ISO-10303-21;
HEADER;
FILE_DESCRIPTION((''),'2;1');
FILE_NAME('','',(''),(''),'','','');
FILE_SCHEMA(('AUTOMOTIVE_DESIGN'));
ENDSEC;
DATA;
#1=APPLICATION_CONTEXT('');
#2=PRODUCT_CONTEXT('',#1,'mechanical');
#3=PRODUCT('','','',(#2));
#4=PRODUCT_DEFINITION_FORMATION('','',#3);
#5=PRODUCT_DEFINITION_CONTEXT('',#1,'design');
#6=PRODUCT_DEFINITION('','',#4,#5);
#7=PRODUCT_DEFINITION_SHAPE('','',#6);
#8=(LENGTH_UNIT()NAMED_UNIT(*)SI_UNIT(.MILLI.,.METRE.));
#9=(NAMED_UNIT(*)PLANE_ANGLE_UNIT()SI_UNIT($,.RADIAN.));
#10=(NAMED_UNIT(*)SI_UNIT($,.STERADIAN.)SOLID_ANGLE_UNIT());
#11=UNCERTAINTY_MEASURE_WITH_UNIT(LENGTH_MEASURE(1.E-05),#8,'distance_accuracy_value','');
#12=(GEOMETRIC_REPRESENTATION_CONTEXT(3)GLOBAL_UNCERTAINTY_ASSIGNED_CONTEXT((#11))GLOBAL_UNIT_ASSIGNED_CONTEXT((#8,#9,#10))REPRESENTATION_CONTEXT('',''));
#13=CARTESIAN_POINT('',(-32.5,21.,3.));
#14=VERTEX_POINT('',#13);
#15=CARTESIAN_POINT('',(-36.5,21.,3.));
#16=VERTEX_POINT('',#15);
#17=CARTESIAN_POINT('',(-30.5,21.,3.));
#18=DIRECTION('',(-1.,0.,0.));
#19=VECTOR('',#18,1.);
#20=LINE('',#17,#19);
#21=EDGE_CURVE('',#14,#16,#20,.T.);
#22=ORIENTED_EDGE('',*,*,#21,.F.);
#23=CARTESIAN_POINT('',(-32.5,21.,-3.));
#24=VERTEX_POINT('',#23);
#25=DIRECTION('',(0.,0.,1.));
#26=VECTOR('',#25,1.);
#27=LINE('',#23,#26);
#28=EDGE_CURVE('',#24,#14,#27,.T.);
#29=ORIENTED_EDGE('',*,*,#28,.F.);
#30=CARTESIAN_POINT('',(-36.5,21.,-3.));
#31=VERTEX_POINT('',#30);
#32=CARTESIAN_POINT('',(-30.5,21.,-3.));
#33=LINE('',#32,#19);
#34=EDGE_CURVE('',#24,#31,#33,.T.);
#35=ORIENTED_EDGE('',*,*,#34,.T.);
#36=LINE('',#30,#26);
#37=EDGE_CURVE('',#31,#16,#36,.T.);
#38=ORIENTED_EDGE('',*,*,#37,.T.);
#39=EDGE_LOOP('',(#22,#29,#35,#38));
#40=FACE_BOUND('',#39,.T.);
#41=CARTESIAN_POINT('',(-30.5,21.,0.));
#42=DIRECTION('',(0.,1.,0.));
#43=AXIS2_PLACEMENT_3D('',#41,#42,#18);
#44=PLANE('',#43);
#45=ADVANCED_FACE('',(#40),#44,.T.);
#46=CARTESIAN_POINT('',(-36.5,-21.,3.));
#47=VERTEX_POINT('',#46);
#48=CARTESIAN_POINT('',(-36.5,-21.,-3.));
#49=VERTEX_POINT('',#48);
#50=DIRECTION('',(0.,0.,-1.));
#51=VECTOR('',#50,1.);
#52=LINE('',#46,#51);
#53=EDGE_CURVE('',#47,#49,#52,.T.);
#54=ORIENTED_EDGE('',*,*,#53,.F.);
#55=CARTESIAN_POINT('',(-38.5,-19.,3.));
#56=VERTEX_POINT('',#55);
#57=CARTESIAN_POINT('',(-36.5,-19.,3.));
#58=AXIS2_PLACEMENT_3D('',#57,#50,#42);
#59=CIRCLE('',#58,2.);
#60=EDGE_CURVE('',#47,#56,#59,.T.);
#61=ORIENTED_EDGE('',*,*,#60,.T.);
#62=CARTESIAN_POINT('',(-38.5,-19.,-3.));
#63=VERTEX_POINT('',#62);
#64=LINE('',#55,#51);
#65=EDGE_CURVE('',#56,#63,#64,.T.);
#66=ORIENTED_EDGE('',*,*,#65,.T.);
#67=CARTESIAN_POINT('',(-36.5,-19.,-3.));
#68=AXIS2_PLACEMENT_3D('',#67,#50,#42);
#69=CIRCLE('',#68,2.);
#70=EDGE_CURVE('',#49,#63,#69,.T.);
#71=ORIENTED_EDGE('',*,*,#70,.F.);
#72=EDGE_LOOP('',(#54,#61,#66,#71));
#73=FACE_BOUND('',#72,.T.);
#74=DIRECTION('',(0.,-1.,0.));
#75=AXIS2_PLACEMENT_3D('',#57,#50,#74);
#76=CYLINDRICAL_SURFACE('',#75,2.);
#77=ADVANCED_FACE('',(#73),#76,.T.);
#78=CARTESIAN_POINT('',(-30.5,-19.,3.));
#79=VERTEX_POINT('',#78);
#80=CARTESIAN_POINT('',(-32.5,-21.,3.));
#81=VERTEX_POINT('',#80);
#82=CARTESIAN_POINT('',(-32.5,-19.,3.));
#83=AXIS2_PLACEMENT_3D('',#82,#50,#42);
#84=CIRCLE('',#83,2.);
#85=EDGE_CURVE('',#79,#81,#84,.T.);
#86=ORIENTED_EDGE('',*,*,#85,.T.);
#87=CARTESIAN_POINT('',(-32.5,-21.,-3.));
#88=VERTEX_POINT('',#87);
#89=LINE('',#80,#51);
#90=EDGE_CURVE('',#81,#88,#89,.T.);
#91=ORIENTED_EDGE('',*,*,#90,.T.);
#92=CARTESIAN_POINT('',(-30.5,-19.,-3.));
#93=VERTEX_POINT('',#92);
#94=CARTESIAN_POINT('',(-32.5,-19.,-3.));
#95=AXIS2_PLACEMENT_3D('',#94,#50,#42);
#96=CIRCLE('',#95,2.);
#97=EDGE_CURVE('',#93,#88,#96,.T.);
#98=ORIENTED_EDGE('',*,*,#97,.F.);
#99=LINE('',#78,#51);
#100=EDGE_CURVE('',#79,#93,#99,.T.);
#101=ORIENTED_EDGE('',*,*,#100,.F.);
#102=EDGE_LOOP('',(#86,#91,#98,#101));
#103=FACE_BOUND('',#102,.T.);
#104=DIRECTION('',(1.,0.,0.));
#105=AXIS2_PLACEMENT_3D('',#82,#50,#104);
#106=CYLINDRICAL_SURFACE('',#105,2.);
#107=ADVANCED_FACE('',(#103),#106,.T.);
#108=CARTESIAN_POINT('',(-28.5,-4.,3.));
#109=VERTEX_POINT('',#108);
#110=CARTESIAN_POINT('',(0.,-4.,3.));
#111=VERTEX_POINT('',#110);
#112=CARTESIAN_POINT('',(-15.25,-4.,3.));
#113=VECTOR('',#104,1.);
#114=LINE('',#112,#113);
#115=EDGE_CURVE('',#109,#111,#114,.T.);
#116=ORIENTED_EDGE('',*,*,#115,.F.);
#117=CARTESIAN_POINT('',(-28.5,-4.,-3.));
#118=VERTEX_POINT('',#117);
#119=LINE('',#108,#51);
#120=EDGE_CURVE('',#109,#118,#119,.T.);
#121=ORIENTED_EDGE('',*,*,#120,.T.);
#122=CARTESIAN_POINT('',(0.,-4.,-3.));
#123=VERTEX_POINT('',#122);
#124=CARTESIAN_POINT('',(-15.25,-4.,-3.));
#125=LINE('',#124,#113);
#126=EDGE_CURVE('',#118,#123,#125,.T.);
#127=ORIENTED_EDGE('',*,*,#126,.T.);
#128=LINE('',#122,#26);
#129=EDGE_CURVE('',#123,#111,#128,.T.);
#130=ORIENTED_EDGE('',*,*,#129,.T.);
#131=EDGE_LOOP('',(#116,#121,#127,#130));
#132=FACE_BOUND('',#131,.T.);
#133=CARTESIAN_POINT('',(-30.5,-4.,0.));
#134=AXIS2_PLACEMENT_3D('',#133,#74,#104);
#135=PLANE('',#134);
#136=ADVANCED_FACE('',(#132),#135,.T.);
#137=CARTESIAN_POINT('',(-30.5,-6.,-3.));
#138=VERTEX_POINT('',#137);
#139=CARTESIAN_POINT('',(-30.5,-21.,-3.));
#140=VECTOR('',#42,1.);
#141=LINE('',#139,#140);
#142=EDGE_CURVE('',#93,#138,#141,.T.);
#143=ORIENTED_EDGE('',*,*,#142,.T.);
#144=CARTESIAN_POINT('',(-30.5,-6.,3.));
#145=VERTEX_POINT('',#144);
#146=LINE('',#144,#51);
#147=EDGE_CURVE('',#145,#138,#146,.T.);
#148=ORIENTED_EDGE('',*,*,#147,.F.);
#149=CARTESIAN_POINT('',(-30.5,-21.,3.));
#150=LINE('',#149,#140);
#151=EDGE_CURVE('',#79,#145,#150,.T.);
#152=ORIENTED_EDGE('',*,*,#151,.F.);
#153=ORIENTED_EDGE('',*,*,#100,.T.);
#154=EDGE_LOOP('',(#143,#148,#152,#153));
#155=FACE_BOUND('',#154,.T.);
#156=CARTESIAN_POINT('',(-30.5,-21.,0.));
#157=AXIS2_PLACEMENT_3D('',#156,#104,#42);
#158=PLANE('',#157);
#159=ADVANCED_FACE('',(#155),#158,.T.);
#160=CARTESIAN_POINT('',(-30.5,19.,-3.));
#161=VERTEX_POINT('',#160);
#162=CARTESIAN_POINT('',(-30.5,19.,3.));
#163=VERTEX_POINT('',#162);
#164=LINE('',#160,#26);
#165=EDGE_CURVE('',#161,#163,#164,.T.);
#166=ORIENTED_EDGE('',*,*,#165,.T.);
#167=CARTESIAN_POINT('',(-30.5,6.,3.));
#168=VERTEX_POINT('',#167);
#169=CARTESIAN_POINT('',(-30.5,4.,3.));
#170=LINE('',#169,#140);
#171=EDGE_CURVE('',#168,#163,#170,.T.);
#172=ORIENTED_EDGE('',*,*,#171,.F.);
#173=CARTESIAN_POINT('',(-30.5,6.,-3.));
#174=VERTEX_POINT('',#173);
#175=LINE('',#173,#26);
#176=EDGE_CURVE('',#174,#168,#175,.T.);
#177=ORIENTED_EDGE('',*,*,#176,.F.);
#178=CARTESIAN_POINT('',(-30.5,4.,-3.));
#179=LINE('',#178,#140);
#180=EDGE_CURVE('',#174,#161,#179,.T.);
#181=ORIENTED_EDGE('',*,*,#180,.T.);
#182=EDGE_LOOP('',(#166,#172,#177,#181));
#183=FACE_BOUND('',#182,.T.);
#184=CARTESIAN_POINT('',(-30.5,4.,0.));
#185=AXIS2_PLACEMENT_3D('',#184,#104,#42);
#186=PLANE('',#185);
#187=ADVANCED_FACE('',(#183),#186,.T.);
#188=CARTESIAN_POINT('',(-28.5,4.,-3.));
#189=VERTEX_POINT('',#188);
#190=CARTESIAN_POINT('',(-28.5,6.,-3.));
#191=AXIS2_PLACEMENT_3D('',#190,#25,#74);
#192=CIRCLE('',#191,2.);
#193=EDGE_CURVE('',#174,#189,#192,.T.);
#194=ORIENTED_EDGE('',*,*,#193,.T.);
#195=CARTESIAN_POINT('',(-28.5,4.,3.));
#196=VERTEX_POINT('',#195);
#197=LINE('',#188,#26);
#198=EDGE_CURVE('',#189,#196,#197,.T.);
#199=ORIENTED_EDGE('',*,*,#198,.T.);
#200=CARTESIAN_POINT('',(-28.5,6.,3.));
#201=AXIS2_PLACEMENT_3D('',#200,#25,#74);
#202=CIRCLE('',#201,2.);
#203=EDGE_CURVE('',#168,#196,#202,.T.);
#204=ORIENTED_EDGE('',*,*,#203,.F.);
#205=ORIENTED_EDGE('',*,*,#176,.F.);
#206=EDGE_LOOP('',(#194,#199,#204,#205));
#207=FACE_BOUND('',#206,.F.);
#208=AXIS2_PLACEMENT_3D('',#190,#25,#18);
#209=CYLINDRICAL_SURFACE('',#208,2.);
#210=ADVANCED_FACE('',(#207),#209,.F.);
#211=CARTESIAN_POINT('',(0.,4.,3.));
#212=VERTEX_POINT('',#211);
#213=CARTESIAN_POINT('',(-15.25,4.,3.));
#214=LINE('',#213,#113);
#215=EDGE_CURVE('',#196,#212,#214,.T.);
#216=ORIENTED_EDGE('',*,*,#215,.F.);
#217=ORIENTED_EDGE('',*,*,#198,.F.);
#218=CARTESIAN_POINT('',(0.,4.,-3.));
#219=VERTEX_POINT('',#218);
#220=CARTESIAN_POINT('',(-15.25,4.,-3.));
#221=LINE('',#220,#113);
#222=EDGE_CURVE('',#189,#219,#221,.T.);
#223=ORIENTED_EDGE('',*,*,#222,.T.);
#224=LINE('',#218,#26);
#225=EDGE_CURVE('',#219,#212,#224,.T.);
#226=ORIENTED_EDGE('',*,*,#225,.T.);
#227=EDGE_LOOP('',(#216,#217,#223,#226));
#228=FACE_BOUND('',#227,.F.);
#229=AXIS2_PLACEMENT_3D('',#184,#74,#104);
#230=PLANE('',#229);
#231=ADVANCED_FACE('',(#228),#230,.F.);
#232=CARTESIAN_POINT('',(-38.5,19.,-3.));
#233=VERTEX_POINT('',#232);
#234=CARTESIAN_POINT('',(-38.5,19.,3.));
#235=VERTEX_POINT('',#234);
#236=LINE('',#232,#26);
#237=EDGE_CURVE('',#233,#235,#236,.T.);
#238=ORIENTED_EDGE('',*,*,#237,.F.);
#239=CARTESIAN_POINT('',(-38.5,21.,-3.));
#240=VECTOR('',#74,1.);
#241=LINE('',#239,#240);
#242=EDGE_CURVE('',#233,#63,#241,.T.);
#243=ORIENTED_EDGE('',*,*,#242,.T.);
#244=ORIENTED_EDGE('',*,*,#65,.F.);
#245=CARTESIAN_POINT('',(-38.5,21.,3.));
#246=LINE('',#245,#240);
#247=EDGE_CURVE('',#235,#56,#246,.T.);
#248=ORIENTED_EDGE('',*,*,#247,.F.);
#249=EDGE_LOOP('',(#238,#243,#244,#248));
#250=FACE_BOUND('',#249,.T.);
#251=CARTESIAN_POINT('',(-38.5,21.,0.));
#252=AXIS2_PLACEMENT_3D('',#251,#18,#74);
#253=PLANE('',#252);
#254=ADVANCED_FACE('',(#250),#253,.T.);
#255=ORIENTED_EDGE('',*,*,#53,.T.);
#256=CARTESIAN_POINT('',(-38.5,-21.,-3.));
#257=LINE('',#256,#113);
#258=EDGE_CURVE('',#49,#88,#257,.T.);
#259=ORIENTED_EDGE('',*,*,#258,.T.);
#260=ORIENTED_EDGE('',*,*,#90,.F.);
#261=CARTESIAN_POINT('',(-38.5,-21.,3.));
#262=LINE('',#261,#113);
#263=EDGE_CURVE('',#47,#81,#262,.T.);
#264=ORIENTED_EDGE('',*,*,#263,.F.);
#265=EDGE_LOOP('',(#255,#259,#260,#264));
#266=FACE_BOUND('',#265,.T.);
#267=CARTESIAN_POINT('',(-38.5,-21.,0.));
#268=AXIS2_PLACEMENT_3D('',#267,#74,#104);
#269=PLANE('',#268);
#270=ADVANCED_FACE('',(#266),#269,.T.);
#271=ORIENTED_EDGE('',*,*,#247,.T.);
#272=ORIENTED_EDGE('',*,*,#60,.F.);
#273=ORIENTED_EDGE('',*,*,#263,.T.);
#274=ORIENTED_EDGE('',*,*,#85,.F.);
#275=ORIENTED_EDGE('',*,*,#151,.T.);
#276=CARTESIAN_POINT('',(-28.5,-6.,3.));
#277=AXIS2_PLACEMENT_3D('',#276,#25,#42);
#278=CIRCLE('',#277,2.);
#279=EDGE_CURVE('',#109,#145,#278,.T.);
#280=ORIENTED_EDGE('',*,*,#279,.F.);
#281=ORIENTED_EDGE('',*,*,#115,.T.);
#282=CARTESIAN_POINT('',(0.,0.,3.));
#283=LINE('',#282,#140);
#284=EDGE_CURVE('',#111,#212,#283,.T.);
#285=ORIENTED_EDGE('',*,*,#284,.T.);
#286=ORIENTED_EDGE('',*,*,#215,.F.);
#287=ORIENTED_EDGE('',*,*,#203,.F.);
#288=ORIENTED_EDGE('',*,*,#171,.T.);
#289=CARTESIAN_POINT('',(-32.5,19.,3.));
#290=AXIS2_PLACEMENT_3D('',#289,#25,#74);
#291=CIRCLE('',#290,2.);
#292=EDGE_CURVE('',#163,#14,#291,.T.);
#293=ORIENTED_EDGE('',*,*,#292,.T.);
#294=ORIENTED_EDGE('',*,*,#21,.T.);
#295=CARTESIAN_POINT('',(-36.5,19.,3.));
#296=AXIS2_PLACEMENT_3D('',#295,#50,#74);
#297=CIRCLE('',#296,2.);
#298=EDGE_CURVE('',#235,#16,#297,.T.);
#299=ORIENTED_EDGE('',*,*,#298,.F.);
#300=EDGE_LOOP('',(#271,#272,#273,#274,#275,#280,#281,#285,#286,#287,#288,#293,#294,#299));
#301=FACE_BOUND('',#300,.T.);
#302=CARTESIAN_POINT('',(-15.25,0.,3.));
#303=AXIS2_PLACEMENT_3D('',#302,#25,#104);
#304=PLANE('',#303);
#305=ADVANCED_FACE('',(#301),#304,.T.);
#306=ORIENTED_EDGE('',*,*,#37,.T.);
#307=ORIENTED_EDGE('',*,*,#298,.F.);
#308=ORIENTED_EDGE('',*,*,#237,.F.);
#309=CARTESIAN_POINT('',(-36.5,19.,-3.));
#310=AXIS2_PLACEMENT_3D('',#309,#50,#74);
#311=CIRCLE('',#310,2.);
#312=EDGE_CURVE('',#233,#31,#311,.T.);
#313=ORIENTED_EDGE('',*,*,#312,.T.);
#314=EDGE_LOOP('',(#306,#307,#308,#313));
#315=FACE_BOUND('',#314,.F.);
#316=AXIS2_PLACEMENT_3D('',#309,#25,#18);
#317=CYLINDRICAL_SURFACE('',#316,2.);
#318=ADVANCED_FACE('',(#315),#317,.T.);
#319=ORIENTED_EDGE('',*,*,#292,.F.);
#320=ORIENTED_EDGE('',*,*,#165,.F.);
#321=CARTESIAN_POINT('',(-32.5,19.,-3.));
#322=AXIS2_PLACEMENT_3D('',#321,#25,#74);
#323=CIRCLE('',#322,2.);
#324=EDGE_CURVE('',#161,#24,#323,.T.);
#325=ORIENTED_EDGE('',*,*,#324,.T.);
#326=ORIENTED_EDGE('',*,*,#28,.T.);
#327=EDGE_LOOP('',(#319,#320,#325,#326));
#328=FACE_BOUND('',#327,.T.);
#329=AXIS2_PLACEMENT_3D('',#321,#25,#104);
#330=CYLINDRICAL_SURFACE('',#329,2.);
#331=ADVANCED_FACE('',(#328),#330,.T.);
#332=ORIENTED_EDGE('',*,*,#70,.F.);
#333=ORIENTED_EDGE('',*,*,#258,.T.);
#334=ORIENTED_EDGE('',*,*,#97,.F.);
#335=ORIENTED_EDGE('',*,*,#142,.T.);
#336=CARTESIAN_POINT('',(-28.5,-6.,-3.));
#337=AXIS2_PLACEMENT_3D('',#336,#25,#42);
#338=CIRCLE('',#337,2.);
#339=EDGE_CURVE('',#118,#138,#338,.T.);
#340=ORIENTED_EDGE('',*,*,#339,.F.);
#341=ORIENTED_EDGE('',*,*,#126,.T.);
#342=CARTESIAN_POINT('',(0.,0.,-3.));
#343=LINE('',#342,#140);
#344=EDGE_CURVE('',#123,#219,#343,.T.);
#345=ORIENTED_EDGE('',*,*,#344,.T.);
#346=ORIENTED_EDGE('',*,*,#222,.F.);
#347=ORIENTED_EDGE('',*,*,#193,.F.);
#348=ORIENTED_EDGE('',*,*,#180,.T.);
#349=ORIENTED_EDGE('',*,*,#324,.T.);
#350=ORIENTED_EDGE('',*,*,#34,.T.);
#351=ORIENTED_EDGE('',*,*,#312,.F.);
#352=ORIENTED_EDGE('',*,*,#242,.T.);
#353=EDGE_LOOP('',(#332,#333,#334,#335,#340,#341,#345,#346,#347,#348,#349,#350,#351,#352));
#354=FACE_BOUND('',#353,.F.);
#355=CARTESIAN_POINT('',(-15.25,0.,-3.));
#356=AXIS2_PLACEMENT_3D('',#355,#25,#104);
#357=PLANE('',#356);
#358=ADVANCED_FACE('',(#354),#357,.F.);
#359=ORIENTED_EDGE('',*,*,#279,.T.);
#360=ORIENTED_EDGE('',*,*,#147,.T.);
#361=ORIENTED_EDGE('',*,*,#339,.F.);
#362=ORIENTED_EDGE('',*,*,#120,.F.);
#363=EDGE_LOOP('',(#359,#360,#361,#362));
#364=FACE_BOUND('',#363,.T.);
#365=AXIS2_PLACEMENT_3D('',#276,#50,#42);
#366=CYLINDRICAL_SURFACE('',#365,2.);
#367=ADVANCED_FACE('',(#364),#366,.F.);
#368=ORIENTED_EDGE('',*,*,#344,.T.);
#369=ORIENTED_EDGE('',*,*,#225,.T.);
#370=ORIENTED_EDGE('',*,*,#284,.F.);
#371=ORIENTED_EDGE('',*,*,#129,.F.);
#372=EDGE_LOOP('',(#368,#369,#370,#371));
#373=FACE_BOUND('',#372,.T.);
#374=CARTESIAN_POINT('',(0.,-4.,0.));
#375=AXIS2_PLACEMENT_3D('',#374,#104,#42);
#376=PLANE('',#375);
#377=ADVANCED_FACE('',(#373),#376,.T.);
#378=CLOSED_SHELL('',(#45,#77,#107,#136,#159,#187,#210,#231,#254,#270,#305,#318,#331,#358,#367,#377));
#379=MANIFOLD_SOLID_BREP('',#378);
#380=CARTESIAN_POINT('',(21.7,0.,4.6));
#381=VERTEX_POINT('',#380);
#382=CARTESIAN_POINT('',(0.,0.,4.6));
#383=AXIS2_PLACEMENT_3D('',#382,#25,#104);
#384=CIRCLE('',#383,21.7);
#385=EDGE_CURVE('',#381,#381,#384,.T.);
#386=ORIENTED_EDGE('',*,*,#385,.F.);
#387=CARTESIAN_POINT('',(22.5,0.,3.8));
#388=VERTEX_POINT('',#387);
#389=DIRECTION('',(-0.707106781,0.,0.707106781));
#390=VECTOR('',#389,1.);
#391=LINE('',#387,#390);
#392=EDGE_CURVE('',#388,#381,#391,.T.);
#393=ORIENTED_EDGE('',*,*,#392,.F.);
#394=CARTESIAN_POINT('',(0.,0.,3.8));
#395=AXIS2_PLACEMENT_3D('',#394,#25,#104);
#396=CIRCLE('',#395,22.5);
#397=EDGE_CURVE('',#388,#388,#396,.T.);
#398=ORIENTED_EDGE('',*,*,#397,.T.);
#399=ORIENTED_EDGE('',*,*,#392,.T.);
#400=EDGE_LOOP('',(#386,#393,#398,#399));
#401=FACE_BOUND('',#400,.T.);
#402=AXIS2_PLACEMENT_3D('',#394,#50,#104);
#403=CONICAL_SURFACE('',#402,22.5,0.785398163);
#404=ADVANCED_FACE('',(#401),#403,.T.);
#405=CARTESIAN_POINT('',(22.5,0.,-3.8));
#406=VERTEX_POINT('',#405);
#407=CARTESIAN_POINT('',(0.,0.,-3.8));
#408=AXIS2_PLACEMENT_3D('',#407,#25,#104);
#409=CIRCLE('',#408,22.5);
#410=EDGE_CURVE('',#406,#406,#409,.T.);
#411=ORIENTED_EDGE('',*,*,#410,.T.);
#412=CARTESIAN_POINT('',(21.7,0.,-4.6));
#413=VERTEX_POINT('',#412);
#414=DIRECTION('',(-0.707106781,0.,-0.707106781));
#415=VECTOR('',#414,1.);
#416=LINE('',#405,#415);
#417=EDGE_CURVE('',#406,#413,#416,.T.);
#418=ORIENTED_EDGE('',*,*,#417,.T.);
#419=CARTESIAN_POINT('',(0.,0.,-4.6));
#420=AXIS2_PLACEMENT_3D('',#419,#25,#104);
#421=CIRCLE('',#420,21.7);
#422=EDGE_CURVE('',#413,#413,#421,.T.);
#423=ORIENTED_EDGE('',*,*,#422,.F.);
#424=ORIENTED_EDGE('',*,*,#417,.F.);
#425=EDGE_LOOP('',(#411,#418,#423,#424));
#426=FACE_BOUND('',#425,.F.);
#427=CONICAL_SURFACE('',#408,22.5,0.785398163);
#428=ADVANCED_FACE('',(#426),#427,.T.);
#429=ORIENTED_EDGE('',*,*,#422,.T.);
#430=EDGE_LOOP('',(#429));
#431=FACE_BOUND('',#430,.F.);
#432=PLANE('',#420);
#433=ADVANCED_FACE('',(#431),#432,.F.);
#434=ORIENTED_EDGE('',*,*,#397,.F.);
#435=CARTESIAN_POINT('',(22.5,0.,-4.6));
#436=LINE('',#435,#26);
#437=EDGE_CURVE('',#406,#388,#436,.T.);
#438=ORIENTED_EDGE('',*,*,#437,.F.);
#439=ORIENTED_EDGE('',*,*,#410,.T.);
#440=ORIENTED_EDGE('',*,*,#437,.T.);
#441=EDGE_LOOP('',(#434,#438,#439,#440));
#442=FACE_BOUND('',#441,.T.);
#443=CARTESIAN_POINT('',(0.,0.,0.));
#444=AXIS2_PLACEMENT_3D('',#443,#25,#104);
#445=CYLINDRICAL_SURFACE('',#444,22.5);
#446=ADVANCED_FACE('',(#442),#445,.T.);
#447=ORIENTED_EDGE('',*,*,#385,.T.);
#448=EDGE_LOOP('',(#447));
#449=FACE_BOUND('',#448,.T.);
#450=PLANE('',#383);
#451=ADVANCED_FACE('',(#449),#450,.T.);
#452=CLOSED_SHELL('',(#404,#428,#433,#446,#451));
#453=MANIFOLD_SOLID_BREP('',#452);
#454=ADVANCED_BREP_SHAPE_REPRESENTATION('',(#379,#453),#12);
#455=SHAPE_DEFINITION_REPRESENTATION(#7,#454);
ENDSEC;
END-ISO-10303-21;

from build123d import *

# Parameters (mm, degrees)
F0_R          = 22.5
F1_DEPTH      = 4.6
F1_DEPTH_BACK = 4.6
F2_W          = 30.5
F2_H          = 8
F2_W_2        = 4
F3_DEPTH      = 3
F3_DEPTH_BACK = 3
F4_SIZE       = 0.8
F5_R          = 2
F6_R          = 2


with BuildPart() as f1:
    # F0 (on Top) → F1 (new body, two sides)
    with BuildSketch(Plane.XY) as f1_sk:
        Circle(F0_R)
    extrude(amount=F1_DEPTH)
    extrude(f1_sk.sketch, amount=-F1_DEPTH_BACK)

    # F4
    f4_edges = [f1.edges().sort_by_distance(p)[0] for p in [
        (-22.5, 0, 4.6),
        (-22.5, 0, -4.6),
    ]]
    chamfer(f4_edges, length=F4_SIZE)


with BuildPart() as f3:
    # F2 (on Top) → F3 (new body, two sides)
    with BuildSketch(Plane.XY) as f3_sk:
        with Locations((-15.25, 0)):
            Rectangle(F2_W, F2_H)
        Polygon((-30.5, -21), (-30.5, -4), (-34.5, -4), (-34.5, 4), (-30.5, 4), (-30.5, 21), (-38.5, 21), (-38.5, -21), align=None)
        with Locations((-32.5, 0)):
            Rectangle(F2_W_2, F2_H)
    extrude(amount=F3_DEPTH)
    extrude(f3_sk.sketch, amount=-F3_DEPTH_BACK)

    # F5
    f5_edges = [f3.edges().sort_by_distance(p)[0] for p in [
        (-30.5, -4, 0),
        (-30.5, 4, 0),
    ]]
    fillet(f5_edges, radius=F5_R)

    # F6
    f6_edges = [f3.edges().sort_by_distance(p)[0] for p in [
        (-30.5, -21, 0),
        (-38.5, -21, 0),
        (-30.5, 21, 0),
        (-38.5, 21, 0),
    ]]
    fillet(f6_edges, radius=F6_R)


solid = Compound([f1.part, f3.part])
